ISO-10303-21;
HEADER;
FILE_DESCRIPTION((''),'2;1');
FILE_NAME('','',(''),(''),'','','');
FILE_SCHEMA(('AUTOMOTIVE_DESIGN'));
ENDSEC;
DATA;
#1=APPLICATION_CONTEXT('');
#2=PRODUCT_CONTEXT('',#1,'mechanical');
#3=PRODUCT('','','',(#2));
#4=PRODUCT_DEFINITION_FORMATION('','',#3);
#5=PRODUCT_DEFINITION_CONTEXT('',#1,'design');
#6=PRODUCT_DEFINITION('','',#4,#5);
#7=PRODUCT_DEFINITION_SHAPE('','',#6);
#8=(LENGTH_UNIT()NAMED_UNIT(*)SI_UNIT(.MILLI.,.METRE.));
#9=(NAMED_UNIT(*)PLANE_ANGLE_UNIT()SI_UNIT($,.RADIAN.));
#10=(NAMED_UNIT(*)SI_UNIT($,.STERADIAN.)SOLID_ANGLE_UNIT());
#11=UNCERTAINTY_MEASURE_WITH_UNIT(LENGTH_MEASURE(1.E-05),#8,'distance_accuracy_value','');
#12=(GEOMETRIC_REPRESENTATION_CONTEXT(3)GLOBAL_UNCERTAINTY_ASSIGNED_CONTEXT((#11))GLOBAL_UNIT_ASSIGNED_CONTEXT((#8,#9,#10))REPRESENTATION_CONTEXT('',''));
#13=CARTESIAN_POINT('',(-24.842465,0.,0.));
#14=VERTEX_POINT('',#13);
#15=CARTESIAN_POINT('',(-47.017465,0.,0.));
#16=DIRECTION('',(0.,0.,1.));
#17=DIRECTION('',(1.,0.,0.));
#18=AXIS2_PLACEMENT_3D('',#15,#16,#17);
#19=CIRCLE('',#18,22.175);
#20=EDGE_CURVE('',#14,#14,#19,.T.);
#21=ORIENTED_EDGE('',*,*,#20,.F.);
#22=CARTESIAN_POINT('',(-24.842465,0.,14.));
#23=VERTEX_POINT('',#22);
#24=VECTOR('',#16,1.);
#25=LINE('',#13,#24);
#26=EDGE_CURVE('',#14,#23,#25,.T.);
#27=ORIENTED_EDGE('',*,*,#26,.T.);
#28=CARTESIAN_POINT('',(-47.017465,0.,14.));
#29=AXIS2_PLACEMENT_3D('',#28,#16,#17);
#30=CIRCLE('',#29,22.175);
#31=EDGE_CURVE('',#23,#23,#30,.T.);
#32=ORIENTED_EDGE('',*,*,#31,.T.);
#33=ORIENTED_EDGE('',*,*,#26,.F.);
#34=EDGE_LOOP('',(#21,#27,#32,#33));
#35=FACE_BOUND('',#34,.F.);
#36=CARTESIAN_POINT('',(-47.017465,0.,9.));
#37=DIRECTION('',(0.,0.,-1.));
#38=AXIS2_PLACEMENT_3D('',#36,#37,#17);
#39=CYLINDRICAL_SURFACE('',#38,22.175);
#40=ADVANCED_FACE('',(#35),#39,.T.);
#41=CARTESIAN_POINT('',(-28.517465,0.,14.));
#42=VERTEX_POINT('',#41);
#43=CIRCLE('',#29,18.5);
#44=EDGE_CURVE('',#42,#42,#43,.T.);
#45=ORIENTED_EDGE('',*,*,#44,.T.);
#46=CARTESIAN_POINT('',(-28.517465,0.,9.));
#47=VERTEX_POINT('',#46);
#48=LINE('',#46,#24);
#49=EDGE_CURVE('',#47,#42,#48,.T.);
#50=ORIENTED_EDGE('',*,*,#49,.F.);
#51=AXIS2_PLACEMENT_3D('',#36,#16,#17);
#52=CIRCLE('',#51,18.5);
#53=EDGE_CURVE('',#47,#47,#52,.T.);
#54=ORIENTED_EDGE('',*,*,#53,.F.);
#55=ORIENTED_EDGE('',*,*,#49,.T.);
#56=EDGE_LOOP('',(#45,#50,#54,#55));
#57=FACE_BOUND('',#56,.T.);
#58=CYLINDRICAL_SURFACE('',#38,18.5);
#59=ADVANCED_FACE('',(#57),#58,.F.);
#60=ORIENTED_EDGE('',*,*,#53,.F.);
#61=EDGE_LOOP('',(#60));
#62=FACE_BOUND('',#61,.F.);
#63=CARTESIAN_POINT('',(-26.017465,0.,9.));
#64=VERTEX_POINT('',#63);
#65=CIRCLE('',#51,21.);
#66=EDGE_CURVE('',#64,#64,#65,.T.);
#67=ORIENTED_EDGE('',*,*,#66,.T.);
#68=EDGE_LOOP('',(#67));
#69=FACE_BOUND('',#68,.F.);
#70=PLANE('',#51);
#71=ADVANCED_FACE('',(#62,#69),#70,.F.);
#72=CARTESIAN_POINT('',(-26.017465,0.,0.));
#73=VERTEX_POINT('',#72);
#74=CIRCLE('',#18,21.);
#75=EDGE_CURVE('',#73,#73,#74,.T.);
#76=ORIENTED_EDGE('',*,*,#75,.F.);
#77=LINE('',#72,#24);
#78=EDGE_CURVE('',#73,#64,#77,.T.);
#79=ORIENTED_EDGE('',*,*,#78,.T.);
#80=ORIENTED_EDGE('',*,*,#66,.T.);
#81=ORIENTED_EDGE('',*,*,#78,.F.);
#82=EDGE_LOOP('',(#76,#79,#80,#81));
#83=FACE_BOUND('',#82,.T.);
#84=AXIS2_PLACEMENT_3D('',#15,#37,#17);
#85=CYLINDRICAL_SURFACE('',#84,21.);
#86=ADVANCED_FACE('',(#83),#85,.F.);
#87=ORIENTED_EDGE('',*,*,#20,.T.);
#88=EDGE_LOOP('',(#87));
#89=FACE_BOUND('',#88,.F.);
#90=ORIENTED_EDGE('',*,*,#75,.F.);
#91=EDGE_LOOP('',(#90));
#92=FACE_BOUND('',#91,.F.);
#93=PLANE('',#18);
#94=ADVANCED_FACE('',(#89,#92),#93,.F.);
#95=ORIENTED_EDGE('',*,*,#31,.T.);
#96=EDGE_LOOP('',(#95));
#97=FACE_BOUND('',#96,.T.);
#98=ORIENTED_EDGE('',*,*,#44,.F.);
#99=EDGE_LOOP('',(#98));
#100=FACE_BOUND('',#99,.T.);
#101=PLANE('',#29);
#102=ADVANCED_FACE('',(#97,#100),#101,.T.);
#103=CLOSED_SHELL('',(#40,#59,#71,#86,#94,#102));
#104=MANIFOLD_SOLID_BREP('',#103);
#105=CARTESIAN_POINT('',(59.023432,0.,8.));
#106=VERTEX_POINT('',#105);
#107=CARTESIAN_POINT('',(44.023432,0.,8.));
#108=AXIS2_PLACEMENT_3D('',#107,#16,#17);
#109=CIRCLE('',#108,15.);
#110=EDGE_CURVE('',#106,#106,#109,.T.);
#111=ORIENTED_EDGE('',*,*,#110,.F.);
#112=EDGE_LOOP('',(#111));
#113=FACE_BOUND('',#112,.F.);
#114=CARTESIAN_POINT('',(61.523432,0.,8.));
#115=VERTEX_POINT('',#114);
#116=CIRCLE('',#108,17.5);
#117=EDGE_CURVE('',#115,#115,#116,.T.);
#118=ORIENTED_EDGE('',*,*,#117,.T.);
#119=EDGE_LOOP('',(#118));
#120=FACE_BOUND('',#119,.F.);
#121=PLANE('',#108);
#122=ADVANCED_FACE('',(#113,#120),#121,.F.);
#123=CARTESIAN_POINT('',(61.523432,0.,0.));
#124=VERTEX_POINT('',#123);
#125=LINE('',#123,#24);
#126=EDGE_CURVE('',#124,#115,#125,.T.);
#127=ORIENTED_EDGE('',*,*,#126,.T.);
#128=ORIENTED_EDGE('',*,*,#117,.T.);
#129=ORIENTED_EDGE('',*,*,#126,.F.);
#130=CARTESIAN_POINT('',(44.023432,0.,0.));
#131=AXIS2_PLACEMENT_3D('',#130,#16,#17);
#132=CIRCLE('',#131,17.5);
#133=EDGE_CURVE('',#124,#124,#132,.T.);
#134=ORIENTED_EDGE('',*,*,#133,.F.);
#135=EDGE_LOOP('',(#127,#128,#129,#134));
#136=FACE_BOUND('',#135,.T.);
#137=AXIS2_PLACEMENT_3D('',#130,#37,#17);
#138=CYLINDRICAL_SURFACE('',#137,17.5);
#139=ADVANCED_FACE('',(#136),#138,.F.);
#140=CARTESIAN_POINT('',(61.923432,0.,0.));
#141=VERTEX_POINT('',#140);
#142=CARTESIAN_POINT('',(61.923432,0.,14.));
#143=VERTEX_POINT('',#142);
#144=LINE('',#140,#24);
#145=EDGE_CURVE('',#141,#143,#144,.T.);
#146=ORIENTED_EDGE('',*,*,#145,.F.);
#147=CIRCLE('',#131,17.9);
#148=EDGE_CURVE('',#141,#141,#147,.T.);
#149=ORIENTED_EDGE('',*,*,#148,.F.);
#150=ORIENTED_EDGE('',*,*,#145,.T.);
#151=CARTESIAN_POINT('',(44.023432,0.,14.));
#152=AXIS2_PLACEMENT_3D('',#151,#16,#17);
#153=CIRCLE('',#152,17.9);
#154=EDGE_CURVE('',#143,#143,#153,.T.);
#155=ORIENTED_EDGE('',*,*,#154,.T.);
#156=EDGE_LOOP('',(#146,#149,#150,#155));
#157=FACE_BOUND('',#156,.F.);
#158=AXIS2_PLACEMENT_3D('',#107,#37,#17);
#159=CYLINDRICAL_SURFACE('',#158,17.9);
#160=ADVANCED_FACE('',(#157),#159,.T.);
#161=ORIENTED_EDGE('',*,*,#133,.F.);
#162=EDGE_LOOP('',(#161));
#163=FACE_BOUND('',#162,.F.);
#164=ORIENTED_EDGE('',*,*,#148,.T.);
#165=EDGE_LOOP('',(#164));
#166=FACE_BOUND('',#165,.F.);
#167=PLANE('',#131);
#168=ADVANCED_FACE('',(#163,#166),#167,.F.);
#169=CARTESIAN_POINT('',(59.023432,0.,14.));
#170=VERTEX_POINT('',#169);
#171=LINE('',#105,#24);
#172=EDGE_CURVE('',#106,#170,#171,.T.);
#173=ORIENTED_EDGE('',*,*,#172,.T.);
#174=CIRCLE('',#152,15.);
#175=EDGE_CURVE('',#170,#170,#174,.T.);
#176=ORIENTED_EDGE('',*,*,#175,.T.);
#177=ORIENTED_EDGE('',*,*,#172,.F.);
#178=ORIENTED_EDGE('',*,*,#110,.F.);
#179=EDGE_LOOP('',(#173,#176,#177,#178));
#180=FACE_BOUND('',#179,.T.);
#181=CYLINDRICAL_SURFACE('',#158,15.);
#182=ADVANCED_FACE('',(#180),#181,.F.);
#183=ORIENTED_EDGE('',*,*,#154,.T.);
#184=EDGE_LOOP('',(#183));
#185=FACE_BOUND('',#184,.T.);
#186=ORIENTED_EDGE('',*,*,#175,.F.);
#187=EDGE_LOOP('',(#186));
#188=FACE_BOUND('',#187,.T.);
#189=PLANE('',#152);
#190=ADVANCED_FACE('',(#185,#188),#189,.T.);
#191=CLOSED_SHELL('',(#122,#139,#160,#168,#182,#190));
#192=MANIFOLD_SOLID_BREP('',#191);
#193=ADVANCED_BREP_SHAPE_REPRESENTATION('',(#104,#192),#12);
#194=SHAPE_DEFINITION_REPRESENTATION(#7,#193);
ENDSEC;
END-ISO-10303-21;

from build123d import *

# Parameters (mm, degrees)
F0_R     = 22.175
F0_R_2   = 21
F1_DEPTH = 9
F0_R_3   = 17.9
F0_R_4   = 17.5
F2_DEPTH = 8
F3_R     = 22.175
F3_R_2   = 21
F3_R_3   = 18.5
F4_DEPTH = 5
F5_R     = 17.9
F5_R_2   = 15
F6_DEPTH = 6


with BuildPart() as f1:
    # F0 (on Top) → F1 (new body)
    with BuildSketch(Plane.XY):
        with Locations((-47.0174653526, 0)):
            Circle(F0_R)
        with Locations((-47.0174653526, 0)):
            Circle(F0_R_2, mode=Mode.SUBTRACT)
    extrude(amount=F1_DEPTH)

    # F3 (on face) → F4 (join)
    with BuildSketch(Plane.XY.offset(9)):
        with Locations((-47.0174653526, 0)):
            Circle(F3_R)
        with Locations((-47.0174653526, 0)):
            Circle(F3_R_2, mode=Mode.SUBTRACT)
        with Locations((-47.0174653526, 0)):
            Circle(F3_R_2)
        with Locations((-47.0174653526, 0)):
            Circle(F3_R_3, mode=Mode.SUBTRACT)
    extrude(amount=F4_DEPTH)


with BuildPart() as f2:
    # F0 (on Top) → F2 (new body)
    with BuildSketch(Plane.XY):
        with Locations((44.0234315433, 0)):
            Circle(F0_R_3)
        with Locations((44.0234315433, 0)):
            Circle(F0_R_4, mode=Mode.SUBTRACT)
    extrude(amount=F2_DEPTH)

    # F5 (on face) → F6 (join)
    with BuildSketch(Plane.XY.offset(8)):
        with Locations((44.0234315433, 0)):
            Circle(F5_R)
        with Locations((44.0234315433, 0)):
            Circle(F5_R_2, mode=Mode.SUBTRACT)
    extrude(amount=F6_DEPTH)


solid = Compound([f1.part, f2.part])
